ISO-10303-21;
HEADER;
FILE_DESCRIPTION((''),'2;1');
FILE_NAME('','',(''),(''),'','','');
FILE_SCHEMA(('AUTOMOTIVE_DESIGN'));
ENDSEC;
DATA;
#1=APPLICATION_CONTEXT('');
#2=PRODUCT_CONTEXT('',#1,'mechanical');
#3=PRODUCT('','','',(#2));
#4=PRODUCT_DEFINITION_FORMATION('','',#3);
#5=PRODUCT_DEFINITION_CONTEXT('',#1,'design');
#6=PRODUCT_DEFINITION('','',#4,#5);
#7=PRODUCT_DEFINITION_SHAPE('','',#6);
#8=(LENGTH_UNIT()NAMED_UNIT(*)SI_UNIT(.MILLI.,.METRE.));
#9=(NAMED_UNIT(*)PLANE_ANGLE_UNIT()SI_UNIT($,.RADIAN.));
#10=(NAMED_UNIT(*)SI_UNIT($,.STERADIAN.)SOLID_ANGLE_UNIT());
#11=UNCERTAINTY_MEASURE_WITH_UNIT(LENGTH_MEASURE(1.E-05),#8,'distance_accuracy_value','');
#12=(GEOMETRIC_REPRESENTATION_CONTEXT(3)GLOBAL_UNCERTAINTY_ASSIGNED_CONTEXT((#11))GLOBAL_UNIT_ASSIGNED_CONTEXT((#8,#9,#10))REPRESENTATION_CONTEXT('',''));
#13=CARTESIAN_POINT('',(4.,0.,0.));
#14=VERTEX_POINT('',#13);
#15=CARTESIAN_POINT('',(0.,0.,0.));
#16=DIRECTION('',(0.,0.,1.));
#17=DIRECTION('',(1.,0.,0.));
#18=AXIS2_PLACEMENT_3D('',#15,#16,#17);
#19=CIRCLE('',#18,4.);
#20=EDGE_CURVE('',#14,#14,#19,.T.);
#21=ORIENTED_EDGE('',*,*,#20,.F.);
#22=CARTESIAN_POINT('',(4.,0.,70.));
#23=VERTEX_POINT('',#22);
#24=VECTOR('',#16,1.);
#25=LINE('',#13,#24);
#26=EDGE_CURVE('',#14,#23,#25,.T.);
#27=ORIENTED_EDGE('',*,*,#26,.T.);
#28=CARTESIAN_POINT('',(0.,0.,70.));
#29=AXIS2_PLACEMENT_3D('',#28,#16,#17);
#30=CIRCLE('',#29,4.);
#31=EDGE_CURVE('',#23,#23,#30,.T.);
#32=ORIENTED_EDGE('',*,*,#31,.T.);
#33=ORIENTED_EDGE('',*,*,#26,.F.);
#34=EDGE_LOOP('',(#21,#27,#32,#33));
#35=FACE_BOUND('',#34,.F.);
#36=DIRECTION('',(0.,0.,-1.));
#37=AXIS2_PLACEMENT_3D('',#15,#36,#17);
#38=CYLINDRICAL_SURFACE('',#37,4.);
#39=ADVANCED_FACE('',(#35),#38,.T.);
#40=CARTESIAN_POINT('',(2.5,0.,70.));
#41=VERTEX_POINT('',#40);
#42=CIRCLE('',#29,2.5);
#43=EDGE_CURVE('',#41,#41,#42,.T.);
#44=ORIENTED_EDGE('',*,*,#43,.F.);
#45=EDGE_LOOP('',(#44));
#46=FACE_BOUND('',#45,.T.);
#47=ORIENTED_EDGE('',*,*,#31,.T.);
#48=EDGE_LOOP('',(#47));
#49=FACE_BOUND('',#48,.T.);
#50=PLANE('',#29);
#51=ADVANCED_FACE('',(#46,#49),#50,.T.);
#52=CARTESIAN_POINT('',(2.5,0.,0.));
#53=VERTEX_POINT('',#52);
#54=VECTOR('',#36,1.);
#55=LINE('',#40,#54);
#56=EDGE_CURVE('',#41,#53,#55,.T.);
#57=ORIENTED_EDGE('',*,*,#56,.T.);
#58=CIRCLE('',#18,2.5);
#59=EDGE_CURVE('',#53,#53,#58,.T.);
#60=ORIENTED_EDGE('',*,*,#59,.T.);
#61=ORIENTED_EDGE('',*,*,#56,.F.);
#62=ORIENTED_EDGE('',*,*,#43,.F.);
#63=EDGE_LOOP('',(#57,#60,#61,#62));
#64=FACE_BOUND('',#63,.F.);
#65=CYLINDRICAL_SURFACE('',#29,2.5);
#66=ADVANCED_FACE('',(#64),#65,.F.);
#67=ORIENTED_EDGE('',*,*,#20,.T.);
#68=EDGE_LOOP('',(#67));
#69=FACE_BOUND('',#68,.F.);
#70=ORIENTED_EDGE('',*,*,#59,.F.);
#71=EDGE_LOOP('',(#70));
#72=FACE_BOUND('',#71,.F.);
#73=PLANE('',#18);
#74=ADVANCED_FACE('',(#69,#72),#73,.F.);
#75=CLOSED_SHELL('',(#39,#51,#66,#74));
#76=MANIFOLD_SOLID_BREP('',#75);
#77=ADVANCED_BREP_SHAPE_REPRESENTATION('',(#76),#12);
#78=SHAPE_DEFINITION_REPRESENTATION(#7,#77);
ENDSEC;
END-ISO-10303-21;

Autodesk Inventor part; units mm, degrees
ref_plane "YZ Plane" through (0, 0, 0) normal (1, 0, 0) x (0, 1, 0)
ref_plane "XZ Plane" through (0, 0, 0) normal (0, 1, 0) x (-1, 0, 0)
ref_plane "XY Plane" through (0, 0, 0) normal (0, 0, 1) x (1, 0, 0)
sketch "Sketch1" plane through (0, 0, 0) normal (0, 0, 1) x (1, 0, 0)
  circle A0 centre (0, 0) radius 4
  dimension "d0" = 8
extrude "Extrusion1" add sketch "Sketch1" along normal blind 70
sketch "Sketch3" plane through (0, 0, 70) normal (0, 0, 1) x (1, 0, 0)
  circle A0 centre (0, 0) radius 4 projected
  circle A1 centre (0, 0) radius 2.5
  dimension "d6" = 5
extrude "Extrusion3" cut sketch "Sketch3" against normal through all contours A1
properties part number "FA009" material "Steel, Carbon"
